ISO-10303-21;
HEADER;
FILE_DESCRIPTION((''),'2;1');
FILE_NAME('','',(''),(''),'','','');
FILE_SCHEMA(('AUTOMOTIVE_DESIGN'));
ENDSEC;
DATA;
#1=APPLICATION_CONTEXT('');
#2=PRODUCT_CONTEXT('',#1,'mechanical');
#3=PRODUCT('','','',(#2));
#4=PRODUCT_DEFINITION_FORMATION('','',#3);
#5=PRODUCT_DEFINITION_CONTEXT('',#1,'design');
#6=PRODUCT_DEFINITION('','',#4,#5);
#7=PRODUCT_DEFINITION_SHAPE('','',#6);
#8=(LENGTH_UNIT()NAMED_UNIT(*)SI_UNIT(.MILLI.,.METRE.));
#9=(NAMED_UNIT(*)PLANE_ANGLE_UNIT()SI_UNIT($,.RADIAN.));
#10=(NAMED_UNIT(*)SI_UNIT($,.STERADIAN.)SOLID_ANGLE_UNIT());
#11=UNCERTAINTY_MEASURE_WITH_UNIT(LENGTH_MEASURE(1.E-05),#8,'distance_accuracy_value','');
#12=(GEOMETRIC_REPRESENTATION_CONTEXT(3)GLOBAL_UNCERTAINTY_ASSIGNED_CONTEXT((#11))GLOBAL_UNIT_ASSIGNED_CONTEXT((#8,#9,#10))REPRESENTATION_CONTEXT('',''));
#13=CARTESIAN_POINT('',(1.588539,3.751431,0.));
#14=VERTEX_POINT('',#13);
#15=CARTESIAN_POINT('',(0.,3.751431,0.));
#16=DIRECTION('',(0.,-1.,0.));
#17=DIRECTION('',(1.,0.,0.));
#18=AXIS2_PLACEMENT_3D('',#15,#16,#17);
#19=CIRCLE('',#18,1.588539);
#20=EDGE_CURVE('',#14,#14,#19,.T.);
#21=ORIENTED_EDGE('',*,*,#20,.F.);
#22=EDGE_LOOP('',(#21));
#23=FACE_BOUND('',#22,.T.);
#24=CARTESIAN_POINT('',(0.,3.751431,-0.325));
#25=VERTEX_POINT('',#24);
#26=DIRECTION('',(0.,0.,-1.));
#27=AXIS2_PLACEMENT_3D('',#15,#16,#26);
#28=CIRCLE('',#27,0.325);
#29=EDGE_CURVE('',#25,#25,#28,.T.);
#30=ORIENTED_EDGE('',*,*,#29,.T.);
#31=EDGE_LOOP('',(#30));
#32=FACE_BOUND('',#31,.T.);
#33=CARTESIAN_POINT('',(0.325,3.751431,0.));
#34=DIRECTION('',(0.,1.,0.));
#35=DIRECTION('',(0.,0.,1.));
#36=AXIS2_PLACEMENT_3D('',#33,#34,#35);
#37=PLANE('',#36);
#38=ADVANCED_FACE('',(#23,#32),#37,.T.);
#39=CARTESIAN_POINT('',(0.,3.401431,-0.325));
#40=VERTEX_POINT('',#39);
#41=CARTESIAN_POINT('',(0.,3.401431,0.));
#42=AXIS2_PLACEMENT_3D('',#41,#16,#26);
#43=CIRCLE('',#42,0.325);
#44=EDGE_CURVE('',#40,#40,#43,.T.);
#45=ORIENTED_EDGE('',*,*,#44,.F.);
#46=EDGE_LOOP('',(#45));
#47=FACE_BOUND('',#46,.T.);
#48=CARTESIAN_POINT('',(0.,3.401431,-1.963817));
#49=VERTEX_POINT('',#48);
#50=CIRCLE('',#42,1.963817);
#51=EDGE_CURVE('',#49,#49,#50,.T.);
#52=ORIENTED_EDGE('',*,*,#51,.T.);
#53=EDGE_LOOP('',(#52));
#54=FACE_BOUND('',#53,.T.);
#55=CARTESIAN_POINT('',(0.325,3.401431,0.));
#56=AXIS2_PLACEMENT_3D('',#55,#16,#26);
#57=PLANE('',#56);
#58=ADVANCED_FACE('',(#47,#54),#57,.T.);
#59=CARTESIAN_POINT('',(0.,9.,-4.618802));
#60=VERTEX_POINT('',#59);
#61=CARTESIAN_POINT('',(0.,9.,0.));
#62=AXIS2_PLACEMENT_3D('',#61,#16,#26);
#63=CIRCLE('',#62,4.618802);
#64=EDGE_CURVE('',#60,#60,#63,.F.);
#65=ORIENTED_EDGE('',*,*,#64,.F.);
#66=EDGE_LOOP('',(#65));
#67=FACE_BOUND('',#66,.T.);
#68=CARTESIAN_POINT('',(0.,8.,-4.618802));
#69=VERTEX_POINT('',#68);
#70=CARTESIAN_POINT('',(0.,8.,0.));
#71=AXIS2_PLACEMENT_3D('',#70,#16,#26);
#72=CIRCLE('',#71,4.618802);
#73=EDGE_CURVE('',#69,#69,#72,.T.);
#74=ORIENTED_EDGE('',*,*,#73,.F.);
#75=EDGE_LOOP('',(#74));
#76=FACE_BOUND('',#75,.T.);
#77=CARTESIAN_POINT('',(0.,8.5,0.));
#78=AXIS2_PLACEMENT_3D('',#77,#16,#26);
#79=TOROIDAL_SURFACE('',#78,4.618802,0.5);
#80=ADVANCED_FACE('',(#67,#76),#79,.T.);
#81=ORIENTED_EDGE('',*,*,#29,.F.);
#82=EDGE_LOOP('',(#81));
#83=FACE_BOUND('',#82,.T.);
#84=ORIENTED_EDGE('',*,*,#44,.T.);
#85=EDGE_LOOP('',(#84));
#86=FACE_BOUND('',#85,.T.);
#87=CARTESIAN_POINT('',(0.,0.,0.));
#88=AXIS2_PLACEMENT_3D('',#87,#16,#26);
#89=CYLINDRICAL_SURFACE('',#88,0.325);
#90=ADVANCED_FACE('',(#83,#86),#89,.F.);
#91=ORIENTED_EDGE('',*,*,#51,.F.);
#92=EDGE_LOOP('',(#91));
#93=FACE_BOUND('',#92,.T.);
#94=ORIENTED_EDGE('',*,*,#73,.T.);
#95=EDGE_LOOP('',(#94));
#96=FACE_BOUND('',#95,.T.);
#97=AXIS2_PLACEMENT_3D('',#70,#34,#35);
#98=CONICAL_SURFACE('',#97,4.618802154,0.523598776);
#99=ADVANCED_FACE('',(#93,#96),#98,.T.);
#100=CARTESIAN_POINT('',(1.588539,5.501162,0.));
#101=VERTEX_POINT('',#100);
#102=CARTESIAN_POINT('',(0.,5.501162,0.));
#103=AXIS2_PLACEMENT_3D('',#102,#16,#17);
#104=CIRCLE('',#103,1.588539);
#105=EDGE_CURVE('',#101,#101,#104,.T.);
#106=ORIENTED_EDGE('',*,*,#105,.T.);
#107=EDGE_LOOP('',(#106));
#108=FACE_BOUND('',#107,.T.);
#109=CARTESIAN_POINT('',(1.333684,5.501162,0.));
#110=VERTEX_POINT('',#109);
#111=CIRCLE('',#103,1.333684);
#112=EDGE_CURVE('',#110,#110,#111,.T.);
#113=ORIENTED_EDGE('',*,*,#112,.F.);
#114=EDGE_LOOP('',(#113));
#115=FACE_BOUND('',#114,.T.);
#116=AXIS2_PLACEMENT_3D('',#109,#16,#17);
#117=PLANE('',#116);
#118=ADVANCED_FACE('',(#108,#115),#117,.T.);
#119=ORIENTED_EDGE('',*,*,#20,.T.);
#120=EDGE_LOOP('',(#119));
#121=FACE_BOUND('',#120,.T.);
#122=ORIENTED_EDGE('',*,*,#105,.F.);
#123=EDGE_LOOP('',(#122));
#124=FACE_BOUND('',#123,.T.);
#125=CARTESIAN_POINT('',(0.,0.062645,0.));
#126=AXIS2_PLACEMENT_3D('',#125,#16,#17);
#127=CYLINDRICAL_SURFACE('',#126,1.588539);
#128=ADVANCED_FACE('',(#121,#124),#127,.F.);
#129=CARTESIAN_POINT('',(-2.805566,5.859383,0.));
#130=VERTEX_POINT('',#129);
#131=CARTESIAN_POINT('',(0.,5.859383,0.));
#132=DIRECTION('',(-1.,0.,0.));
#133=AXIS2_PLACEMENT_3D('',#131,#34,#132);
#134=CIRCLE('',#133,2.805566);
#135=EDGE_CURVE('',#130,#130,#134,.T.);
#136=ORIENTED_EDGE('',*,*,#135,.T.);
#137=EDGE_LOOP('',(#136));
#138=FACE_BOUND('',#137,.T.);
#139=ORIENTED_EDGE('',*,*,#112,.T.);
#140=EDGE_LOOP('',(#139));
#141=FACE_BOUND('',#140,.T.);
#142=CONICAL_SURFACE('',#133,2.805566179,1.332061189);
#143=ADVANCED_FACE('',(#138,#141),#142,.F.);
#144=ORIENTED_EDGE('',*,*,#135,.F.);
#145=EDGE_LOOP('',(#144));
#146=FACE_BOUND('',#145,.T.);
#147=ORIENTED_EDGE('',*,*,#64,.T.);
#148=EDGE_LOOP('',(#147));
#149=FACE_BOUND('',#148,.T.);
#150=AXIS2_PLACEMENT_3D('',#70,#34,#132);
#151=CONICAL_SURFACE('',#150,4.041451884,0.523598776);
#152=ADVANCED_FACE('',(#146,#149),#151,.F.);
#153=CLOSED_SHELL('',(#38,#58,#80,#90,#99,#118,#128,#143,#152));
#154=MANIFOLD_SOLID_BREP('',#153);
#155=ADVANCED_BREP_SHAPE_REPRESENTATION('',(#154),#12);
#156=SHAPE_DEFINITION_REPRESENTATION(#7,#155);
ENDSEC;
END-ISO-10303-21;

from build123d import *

# Parameters (mm, degrees)
EXTRUDE_1_DEPTH          = 0.6
EXTRUDE_1_DEPTH_BACK     = 6
SKETCH_5_R               = 0.31
SKETCH_7_R               = 0.28
CUT_EXTRUDE_2_DEPTH      = 16.448840302
CUT_EXTRUDE_3_DEPTH      = 10
CUT_EXTRUDE_3_DEPTH_BACK = 10


with BuildPart() as part:
    # 草图2 → 旋转1 (revolve)
    with BuildSketch(Plane.XY):
        Polygon((0, 0), (-4.618802154, 8), (0, 8), align=None)
    revolve(axis=Axis((0, -55.266670228, 0), (0, 1, 0)))

    # 草图5 → 凸台-拉伸1 (add, two sides: drawn at the far end of the back side and taken through both)
    with BuildSketch(Plane(origin=(0, 0, 0), x_dir=(1, 0, 0), z_dir=(0, 1, 0)).offset(-EXTRUDE_1_DEPTH_BACK)):
        Circle(SKETCH_5_R)
    extrude(amount=EXTRUDE_1_DEPTH + EXTRUDE_1_DEPTH_BACK)

    # 草图7 → 切除-拉伸2 (cut, through all)
    with BuildSketch(Plane.XZ.offset(6)):
        Circle(SKETCH_7_R)
    extrude(amount=-CUT_EXTRUDE_2_DEPTH, mode=Mode.SUBTRACT)

    # 草图4 → 切除-旋转2 (revolve, cut)
    with BuildSketch(Plane.XY):
        Polygon((0, 8), (-4.041451884, 8), (0, 1), align=None)
    revolve(axis=Axis((0, 7.19521629, 0), (0, 1, 0)), mode=Mode.SUBTRACT)

    # 草图10 → 旋转3 (revolve)
    with BuildSketch(Plane.XY):
        with BuildLine():
            ThreePointArc((-4.618802154, 9), (-5.118802154, 8.5), (-4.618802154, 8))
            Line((-4.618802154, 8), (-4.041451884, 8))
            Line((-4.041451884, 8), (-4.041451884, 9))
            Line((-4.041451884, 9), (-4.618802154, 9))
        make_face()
    revolve(axis=Axis((0, 0, 0), (0, 1, 0)))

    # 草图11 → 切除-旋转3 (revolve, cut)
    with BuildSketch(Plane.XY):
        Polygon((-4.041451884, 8), (-4.932498772, 9.543338481), (-1.781160805, 9.543338481), (-1.781160805, 8), align=None)
    revolve(axis=Axis((0, 0, 0), (0, 1, 0)), mode=Mode.SUBTRACT)

    # 草图14 → 旋转4 (revolve)
    with BuildSketch(Plane.XY):
        Polygon((0.325, 3.401430976), (0.325, 3.751430976), (2.165889684, 3.751430976), (1.963817089, 3.401430976), align=None)
    revolve(axis=Axis((0, 0, 0), (0, 1, 0)))

    # 草图16 → 切除-拉伸3 (cut, two sides: drawn at the far end of the back side and taken through both)
    with BuildSketch(Plane.XY.offset(-CUT_EXTRUDE_3_DEPTH_BACK)):
        Polygon((1.38646682, 3.401430976), (4.735566884, 3.401430976), (4.735566884, -6.564906042), (-5.830144142, -6.564906042), (-5.830144142, 3.401430976), align=None)
    extrude(amount=CUT_EXTRUDE_3_DEPTH + CUT_EXTRUDE_3_DEPTH_BACK, mode=Mode.SUBTRACT)

    # 草图21 → 旋转5 (revolve)
    with BuildSketch(Plane.XY):
        Polygon((1.588539414, 3.751430976), (1.588539414, 5.341161575), (1.588539414, 5.501161575), (1.333683802, 5.501161575), (2.805566179, 5.859383166), (2.698088002, 5.673225503), align=None)
    revolve(axis=Axis((0, 0.062644637, 0), (0, 1, 0)))


solid = part.part
